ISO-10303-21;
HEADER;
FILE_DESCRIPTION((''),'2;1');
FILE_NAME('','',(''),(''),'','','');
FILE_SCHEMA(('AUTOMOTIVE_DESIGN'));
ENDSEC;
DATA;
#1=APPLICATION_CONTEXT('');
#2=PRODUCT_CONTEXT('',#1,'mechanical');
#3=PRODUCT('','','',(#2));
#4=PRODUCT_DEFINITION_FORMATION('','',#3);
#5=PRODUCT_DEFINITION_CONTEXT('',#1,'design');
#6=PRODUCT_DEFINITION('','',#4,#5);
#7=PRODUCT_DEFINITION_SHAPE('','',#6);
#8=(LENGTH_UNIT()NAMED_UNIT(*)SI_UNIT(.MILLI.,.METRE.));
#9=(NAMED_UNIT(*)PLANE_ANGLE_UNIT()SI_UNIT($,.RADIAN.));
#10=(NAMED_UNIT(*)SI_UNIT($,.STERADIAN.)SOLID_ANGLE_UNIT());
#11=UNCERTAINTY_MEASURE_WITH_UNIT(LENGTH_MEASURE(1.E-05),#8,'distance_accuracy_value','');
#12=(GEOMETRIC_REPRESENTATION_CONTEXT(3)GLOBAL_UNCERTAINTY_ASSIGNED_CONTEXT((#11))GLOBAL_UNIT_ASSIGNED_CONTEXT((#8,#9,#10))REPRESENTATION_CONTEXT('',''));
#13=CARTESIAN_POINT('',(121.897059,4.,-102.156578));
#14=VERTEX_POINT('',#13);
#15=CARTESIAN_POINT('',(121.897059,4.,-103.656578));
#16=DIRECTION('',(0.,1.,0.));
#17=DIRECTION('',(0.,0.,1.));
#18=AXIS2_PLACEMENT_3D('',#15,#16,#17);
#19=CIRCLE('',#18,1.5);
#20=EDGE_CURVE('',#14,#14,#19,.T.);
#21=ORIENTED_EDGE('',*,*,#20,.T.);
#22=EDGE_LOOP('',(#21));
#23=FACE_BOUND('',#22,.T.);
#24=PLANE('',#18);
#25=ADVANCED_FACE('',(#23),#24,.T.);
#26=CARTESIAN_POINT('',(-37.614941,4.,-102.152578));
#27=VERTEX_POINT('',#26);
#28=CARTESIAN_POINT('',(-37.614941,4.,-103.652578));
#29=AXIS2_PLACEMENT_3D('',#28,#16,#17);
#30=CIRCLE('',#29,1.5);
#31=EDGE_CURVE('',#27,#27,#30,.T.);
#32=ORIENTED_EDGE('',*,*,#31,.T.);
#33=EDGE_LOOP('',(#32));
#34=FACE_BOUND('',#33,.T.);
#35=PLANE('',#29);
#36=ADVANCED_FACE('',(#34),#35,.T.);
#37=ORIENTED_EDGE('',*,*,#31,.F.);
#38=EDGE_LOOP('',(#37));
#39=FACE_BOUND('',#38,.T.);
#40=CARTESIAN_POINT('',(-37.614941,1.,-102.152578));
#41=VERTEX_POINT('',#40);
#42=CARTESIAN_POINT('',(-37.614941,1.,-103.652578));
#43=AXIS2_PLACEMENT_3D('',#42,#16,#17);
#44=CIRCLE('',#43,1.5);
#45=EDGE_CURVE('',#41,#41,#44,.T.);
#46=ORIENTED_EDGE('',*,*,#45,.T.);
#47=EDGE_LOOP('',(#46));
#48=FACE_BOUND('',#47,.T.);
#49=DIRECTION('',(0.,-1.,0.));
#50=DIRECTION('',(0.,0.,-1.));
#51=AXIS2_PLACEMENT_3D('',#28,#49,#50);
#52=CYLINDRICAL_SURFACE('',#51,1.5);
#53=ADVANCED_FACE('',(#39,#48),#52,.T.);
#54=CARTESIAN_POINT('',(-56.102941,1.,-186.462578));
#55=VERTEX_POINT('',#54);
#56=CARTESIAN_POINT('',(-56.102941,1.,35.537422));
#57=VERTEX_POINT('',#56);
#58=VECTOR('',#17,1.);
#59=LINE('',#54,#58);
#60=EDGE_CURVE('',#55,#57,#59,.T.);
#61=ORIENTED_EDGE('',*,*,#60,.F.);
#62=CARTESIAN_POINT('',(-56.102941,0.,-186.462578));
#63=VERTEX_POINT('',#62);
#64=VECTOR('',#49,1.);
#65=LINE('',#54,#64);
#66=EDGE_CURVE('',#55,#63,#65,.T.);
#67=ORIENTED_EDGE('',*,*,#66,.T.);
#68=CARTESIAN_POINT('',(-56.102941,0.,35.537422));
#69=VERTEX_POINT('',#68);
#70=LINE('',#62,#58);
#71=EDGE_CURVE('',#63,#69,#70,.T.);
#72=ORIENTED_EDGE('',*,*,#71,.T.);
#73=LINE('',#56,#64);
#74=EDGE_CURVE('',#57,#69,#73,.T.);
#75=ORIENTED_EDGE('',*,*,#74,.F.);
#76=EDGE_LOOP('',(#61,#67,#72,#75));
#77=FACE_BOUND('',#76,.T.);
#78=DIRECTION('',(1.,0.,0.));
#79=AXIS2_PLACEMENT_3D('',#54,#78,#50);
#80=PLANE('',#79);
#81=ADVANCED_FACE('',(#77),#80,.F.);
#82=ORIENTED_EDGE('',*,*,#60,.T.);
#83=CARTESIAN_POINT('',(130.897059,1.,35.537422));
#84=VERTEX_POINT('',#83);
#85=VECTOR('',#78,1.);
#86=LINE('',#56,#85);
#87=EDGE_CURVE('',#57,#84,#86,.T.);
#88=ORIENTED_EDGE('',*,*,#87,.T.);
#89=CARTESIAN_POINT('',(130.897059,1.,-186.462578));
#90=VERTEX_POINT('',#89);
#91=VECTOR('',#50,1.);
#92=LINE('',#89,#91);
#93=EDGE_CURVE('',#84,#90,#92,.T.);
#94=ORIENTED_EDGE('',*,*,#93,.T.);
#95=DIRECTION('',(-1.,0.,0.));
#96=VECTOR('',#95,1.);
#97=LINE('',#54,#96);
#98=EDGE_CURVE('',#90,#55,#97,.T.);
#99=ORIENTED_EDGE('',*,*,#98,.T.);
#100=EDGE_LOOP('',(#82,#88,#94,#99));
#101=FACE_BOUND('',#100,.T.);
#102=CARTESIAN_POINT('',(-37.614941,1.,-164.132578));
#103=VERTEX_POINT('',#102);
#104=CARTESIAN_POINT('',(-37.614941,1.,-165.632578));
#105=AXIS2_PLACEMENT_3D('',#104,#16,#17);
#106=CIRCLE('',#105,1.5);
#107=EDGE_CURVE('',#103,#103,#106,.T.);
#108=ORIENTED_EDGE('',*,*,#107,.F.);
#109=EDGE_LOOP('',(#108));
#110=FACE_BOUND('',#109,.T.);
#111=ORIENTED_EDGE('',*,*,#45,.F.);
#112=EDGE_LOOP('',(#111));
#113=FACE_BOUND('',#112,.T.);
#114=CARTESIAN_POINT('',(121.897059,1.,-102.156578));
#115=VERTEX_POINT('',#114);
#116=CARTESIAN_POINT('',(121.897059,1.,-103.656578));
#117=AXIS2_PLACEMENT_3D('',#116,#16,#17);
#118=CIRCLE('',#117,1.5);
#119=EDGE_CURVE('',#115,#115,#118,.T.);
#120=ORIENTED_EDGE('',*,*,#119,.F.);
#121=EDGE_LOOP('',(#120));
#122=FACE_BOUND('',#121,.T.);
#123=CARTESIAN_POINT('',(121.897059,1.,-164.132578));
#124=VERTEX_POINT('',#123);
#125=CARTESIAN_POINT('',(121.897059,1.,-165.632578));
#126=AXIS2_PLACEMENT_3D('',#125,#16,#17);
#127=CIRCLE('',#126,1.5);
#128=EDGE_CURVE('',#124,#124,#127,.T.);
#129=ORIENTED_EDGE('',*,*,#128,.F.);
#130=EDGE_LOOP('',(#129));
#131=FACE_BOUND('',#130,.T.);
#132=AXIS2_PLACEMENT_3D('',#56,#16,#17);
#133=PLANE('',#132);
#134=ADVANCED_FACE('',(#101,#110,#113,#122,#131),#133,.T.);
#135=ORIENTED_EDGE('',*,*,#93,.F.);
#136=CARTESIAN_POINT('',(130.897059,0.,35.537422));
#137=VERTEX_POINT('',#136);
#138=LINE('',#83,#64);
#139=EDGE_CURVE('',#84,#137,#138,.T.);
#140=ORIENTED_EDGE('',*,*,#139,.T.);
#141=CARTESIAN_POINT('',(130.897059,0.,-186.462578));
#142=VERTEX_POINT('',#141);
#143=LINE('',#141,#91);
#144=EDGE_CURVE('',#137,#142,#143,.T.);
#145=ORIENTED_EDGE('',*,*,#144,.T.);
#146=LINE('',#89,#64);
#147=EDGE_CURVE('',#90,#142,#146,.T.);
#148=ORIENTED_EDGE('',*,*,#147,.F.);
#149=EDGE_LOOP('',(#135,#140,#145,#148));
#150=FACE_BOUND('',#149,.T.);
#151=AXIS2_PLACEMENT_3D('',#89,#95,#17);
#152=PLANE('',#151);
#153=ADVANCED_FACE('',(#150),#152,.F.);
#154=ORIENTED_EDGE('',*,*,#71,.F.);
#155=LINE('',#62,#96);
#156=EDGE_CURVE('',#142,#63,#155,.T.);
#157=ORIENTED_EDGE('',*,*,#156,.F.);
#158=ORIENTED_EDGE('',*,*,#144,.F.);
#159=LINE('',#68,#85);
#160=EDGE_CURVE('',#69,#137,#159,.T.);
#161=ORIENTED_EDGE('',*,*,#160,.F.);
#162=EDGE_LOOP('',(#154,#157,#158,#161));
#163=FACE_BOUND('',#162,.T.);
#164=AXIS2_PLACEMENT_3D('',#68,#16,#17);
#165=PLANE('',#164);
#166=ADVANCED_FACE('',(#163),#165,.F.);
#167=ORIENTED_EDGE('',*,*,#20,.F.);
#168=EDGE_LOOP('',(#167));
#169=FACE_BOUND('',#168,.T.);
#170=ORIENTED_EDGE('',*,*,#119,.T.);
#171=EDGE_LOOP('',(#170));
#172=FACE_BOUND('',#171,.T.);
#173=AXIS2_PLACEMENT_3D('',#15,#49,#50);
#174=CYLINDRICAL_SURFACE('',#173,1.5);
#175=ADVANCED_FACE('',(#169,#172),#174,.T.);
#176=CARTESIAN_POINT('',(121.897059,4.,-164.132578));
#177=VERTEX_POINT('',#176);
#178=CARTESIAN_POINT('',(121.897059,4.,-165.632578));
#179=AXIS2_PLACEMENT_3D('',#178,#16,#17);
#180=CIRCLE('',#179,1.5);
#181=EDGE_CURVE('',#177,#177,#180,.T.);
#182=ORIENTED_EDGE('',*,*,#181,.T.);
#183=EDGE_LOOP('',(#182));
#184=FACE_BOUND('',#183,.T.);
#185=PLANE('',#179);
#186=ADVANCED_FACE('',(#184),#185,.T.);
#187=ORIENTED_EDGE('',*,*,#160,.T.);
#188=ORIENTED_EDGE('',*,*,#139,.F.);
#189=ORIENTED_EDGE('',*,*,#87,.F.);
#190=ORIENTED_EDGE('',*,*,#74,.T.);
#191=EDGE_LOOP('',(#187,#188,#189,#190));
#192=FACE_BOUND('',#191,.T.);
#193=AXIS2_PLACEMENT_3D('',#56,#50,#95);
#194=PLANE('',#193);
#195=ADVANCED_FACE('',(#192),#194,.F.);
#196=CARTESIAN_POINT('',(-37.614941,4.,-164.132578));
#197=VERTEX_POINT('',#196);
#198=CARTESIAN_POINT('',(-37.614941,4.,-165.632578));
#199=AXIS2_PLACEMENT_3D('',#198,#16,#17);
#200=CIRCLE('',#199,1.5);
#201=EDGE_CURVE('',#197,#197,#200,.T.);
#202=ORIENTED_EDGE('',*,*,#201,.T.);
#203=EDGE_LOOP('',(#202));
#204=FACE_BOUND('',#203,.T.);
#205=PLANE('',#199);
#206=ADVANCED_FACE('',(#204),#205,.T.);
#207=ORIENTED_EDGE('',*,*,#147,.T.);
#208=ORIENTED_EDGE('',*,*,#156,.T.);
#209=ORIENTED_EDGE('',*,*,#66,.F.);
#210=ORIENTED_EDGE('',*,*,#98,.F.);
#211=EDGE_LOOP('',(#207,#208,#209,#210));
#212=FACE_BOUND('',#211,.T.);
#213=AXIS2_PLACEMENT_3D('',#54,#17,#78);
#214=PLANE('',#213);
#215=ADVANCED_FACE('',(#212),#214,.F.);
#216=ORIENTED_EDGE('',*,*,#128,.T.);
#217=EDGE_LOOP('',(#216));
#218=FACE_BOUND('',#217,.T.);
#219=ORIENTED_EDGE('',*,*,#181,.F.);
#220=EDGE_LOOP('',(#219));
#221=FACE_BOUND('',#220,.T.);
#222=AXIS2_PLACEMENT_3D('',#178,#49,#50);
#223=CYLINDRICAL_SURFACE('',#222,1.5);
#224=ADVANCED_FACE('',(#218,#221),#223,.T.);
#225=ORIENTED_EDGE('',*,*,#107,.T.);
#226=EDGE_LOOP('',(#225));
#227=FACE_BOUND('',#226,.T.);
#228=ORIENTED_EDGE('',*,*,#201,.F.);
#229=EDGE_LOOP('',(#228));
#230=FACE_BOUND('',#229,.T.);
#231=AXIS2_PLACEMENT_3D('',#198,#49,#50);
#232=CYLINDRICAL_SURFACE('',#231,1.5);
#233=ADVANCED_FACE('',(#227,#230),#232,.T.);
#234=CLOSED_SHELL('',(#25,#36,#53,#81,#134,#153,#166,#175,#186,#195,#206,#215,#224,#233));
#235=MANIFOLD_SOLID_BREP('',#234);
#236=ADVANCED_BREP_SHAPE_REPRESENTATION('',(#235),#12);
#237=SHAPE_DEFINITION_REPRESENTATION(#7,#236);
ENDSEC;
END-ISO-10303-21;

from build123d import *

# Parameters (mm, degrees)
SKETCH1_W           = 187
SKETCH1_H           = 222
BOSS_EXTRUDE1_DEPTH = 1
SKETCH2_R           = 1.5
BOSS_EXTRUDE2_DEPTH = 3


with BuildPart() as part:
    # Sketch1 → Boss-Extrude1 (new body)
    with BuildSketch(Plane(origin=(0, 0, 0), x_dir=(1, 0, 0), z_dir=(0, 1, 0))):
        with Locations((37.397058758, 75.462578399)):
            Rectangle(SKETCH1_W, SKETCH1_H)
    extrude(amount=BOSS_EXTRUDE1_DEPTH)

    # Sketch2 → Boss-Extrude2 (add)
    with BuildSketch(Plane(origin=(0, 1, 0), x_dir=(1, 0, 0), z_dir=(0, 1, 0))):
        with Locations((121.897058758, 165.632578399)):
            Circle(SKETCH2_R)
        with Locations((-37.614941242, 165.632578399)):
            Circle(SKETCH2_R)
        with Locations((121.897058758, 103.656578399)):
            Circle(SKETCH2_R)
        with Locations((-37.614941242, 103.652578399)):
            Circle(SKETCH2_R)
    extrude(amount=BOSS_EXTRUDE2_DEPTH)


solid = part.part
